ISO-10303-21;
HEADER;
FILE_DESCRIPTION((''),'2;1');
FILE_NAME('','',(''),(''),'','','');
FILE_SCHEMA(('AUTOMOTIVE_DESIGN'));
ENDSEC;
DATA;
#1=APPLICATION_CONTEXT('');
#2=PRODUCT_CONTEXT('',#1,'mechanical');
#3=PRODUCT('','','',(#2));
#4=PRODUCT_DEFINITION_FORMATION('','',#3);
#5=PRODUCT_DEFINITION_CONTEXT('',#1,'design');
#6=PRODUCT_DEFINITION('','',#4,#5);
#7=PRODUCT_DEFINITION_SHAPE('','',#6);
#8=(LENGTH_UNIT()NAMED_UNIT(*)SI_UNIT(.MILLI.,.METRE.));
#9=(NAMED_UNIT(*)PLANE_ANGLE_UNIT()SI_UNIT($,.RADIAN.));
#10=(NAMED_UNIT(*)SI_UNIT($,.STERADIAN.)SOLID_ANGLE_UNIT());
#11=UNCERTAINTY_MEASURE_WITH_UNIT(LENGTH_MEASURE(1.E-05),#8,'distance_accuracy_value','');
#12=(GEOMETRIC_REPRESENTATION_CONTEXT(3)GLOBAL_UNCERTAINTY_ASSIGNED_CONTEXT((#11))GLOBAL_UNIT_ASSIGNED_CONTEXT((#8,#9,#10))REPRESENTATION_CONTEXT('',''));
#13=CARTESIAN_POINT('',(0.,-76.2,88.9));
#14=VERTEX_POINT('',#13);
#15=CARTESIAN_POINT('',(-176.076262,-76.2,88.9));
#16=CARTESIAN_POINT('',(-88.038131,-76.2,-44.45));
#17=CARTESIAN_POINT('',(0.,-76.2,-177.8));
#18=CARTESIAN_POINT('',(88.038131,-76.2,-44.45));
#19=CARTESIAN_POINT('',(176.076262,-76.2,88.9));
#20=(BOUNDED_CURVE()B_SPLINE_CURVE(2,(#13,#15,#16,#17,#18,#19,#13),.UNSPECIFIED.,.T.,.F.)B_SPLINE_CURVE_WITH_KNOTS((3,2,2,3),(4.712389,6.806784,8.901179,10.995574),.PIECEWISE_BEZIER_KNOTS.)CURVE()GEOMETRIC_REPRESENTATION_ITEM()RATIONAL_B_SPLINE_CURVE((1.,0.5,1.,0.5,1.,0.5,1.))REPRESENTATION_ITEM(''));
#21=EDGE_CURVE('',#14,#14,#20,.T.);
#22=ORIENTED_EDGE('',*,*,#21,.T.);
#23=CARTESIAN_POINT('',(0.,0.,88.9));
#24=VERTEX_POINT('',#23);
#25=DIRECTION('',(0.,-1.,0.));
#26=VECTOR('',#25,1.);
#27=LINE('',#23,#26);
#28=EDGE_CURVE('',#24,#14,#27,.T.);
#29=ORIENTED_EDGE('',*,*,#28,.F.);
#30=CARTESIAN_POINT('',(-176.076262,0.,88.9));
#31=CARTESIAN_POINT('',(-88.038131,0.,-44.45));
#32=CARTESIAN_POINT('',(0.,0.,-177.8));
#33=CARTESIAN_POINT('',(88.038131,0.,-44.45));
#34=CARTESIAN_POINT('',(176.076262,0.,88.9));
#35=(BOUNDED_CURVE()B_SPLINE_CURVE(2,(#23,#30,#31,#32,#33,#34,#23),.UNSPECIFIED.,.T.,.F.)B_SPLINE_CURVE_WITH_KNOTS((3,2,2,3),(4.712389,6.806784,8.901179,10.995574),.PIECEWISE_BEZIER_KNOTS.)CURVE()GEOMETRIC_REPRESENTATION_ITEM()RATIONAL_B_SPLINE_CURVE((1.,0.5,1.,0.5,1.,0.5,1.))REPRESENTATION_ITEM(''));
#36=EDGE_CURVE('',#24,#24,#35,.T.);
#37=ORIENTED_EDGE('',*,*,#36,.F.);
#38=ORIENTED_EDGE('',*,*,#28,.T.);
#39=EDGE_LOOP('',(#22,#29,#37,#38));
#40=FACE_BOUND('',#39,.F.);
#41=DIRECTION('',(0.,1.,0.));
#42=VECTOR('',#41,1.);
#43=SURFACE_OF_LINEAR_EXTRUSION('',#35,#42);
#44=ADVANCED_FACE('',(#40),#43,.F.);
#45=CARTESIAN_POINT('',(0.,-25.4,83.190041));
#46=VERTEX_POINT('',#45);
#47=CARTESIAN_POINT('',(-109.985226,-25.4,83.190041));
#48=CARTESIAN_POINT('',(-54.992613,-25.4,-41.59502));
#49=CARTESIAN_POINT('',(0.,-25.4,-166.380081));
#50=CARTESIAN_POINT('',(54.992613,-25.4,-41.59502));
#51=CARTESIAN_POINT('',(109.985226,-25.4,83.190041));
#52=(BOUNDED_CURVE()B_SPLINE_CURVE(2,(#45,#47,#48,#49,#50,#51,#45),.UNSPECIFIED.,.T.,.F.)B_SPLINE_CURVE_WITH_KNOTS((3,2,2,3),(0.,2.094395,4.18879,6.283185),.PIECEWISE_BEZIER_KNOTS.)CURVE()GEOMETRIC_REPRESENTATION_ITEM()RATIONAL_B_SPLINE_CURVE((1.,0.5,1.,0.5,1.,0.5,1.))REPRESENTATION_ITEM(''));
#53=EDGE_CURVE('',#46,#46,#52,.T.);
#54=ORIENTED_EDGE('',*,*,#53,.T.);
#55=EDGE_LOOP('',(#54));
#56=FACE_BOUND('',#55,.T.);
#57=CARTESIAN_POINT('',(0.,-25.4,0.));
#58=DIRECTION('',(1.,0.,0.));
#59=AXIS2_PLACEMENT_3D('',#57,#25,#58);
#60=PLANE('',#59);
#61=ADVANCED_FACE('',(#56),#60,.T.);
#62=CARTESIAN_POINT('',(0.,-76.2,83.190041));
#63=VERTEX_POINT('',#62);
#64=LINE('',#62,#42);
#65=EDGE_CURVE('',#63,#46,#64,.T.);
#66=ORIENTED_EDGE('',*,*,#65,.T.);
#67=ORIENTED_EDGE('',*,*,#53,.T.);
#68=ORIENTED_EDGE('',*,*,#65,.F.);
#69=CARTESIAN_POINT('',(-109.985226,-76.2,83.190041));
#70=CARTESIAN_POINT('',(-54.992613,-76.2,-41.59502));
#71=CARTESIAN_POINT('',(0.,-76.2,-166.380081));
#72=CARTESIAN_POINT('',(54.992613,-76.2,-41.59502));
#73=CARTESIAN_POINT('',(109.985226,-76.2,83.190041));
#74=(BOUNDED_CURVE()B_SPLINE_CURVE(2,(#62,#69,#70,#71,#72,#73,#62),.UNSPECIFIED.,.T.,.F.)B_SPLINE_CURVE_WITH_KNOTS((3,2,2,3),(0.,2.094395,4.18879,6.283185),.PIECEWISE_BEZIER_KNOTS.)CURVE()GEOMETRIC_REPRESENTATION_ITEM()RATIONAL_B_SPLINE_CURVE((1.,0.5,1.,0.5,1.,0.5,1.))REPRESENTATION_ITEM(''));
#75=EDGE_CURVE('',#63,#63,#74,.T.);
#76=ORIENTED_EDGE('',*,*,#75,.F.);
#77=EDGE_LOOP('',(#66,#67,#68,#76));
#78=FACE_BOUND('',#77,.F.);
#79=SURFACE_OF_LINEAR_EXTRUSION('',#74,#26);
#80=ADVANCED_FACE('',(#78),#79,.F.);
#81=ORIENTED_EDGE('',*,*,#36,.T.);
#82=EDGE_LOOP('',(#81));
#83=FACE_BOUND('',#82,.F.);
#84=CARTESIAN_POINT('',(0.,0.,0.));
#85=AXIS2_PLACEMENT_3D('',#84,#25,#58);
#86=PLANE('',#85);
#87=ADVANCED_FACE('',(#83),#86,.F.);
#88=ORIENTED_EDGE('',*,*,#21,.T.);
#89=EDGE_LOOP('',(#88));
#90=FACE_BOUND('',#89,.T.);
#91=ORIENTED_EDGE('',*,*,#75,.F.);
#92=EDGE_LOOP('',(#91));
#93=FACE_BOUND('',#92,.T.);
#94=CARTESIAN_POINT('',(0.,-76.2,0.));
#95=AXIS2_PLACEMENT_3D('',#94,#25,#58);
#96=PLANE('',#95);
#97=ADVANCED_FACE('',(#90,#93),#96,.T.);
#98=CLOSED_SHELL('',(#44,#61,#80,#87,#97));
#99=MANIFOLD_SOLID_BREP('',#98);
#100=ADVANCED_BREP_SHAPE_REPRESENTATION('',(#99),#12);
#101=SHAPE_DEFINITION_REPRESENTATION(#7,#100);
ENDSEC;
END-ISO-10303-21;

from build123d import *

# Parameters (mm, degrees)
F1_DEPTH = 76.2
F3_DEPTH = 50.8


with BuildPart() as f1:
    # F0 (on Front) → F1 (new body)
    with BuildSketch(Plane.XZ):
        with BuildLine():
            add(Edge.make_bspline(
                [(0, 88.9), (-176.076262, 88.9), (-88.038131, -44.45), (0, -177.8), (88.038131, -44.45), (176.076262, 88.9), (0, 88.9)],
                knots=[4.712389, 4.712389, 4.712389, 6.806784, 6.806784, 8.901179, 8.901179, 10.995574, 10.995574, 10.995574], degree=2, weights=[1, 0.5, 1, 0.5, 1, 0.5, 1]))
        make_face()
    extrude(amount=F1_DEPTH)

    # F2 (on face) → F3 (cut)
    with BuildSketch(Plane.XZ.offset(76.2)):
        with BuildLine():
            add(Edge.make_bspline(
                [(0, 83.190041), (-109.985226, 83.190041), (-54.992613, -41.59502), (0, -166.380081), (54.992613, -41.59502), (109.985226, 83.190041), (0, 83.190041)],
                knots=[0, 0, 0, 2.094395, 2.094395, 4.18879, 4.18879, 6.283185, 6.283185, 6.283185], degree=2, weights=[1, 0.5, 1, 0.5, 1, 0.5, 1]))
        make_face()
    extrude(amount=-F3_DEPTH, mode=Mode.SUBTRACT)


solid = f1.part
